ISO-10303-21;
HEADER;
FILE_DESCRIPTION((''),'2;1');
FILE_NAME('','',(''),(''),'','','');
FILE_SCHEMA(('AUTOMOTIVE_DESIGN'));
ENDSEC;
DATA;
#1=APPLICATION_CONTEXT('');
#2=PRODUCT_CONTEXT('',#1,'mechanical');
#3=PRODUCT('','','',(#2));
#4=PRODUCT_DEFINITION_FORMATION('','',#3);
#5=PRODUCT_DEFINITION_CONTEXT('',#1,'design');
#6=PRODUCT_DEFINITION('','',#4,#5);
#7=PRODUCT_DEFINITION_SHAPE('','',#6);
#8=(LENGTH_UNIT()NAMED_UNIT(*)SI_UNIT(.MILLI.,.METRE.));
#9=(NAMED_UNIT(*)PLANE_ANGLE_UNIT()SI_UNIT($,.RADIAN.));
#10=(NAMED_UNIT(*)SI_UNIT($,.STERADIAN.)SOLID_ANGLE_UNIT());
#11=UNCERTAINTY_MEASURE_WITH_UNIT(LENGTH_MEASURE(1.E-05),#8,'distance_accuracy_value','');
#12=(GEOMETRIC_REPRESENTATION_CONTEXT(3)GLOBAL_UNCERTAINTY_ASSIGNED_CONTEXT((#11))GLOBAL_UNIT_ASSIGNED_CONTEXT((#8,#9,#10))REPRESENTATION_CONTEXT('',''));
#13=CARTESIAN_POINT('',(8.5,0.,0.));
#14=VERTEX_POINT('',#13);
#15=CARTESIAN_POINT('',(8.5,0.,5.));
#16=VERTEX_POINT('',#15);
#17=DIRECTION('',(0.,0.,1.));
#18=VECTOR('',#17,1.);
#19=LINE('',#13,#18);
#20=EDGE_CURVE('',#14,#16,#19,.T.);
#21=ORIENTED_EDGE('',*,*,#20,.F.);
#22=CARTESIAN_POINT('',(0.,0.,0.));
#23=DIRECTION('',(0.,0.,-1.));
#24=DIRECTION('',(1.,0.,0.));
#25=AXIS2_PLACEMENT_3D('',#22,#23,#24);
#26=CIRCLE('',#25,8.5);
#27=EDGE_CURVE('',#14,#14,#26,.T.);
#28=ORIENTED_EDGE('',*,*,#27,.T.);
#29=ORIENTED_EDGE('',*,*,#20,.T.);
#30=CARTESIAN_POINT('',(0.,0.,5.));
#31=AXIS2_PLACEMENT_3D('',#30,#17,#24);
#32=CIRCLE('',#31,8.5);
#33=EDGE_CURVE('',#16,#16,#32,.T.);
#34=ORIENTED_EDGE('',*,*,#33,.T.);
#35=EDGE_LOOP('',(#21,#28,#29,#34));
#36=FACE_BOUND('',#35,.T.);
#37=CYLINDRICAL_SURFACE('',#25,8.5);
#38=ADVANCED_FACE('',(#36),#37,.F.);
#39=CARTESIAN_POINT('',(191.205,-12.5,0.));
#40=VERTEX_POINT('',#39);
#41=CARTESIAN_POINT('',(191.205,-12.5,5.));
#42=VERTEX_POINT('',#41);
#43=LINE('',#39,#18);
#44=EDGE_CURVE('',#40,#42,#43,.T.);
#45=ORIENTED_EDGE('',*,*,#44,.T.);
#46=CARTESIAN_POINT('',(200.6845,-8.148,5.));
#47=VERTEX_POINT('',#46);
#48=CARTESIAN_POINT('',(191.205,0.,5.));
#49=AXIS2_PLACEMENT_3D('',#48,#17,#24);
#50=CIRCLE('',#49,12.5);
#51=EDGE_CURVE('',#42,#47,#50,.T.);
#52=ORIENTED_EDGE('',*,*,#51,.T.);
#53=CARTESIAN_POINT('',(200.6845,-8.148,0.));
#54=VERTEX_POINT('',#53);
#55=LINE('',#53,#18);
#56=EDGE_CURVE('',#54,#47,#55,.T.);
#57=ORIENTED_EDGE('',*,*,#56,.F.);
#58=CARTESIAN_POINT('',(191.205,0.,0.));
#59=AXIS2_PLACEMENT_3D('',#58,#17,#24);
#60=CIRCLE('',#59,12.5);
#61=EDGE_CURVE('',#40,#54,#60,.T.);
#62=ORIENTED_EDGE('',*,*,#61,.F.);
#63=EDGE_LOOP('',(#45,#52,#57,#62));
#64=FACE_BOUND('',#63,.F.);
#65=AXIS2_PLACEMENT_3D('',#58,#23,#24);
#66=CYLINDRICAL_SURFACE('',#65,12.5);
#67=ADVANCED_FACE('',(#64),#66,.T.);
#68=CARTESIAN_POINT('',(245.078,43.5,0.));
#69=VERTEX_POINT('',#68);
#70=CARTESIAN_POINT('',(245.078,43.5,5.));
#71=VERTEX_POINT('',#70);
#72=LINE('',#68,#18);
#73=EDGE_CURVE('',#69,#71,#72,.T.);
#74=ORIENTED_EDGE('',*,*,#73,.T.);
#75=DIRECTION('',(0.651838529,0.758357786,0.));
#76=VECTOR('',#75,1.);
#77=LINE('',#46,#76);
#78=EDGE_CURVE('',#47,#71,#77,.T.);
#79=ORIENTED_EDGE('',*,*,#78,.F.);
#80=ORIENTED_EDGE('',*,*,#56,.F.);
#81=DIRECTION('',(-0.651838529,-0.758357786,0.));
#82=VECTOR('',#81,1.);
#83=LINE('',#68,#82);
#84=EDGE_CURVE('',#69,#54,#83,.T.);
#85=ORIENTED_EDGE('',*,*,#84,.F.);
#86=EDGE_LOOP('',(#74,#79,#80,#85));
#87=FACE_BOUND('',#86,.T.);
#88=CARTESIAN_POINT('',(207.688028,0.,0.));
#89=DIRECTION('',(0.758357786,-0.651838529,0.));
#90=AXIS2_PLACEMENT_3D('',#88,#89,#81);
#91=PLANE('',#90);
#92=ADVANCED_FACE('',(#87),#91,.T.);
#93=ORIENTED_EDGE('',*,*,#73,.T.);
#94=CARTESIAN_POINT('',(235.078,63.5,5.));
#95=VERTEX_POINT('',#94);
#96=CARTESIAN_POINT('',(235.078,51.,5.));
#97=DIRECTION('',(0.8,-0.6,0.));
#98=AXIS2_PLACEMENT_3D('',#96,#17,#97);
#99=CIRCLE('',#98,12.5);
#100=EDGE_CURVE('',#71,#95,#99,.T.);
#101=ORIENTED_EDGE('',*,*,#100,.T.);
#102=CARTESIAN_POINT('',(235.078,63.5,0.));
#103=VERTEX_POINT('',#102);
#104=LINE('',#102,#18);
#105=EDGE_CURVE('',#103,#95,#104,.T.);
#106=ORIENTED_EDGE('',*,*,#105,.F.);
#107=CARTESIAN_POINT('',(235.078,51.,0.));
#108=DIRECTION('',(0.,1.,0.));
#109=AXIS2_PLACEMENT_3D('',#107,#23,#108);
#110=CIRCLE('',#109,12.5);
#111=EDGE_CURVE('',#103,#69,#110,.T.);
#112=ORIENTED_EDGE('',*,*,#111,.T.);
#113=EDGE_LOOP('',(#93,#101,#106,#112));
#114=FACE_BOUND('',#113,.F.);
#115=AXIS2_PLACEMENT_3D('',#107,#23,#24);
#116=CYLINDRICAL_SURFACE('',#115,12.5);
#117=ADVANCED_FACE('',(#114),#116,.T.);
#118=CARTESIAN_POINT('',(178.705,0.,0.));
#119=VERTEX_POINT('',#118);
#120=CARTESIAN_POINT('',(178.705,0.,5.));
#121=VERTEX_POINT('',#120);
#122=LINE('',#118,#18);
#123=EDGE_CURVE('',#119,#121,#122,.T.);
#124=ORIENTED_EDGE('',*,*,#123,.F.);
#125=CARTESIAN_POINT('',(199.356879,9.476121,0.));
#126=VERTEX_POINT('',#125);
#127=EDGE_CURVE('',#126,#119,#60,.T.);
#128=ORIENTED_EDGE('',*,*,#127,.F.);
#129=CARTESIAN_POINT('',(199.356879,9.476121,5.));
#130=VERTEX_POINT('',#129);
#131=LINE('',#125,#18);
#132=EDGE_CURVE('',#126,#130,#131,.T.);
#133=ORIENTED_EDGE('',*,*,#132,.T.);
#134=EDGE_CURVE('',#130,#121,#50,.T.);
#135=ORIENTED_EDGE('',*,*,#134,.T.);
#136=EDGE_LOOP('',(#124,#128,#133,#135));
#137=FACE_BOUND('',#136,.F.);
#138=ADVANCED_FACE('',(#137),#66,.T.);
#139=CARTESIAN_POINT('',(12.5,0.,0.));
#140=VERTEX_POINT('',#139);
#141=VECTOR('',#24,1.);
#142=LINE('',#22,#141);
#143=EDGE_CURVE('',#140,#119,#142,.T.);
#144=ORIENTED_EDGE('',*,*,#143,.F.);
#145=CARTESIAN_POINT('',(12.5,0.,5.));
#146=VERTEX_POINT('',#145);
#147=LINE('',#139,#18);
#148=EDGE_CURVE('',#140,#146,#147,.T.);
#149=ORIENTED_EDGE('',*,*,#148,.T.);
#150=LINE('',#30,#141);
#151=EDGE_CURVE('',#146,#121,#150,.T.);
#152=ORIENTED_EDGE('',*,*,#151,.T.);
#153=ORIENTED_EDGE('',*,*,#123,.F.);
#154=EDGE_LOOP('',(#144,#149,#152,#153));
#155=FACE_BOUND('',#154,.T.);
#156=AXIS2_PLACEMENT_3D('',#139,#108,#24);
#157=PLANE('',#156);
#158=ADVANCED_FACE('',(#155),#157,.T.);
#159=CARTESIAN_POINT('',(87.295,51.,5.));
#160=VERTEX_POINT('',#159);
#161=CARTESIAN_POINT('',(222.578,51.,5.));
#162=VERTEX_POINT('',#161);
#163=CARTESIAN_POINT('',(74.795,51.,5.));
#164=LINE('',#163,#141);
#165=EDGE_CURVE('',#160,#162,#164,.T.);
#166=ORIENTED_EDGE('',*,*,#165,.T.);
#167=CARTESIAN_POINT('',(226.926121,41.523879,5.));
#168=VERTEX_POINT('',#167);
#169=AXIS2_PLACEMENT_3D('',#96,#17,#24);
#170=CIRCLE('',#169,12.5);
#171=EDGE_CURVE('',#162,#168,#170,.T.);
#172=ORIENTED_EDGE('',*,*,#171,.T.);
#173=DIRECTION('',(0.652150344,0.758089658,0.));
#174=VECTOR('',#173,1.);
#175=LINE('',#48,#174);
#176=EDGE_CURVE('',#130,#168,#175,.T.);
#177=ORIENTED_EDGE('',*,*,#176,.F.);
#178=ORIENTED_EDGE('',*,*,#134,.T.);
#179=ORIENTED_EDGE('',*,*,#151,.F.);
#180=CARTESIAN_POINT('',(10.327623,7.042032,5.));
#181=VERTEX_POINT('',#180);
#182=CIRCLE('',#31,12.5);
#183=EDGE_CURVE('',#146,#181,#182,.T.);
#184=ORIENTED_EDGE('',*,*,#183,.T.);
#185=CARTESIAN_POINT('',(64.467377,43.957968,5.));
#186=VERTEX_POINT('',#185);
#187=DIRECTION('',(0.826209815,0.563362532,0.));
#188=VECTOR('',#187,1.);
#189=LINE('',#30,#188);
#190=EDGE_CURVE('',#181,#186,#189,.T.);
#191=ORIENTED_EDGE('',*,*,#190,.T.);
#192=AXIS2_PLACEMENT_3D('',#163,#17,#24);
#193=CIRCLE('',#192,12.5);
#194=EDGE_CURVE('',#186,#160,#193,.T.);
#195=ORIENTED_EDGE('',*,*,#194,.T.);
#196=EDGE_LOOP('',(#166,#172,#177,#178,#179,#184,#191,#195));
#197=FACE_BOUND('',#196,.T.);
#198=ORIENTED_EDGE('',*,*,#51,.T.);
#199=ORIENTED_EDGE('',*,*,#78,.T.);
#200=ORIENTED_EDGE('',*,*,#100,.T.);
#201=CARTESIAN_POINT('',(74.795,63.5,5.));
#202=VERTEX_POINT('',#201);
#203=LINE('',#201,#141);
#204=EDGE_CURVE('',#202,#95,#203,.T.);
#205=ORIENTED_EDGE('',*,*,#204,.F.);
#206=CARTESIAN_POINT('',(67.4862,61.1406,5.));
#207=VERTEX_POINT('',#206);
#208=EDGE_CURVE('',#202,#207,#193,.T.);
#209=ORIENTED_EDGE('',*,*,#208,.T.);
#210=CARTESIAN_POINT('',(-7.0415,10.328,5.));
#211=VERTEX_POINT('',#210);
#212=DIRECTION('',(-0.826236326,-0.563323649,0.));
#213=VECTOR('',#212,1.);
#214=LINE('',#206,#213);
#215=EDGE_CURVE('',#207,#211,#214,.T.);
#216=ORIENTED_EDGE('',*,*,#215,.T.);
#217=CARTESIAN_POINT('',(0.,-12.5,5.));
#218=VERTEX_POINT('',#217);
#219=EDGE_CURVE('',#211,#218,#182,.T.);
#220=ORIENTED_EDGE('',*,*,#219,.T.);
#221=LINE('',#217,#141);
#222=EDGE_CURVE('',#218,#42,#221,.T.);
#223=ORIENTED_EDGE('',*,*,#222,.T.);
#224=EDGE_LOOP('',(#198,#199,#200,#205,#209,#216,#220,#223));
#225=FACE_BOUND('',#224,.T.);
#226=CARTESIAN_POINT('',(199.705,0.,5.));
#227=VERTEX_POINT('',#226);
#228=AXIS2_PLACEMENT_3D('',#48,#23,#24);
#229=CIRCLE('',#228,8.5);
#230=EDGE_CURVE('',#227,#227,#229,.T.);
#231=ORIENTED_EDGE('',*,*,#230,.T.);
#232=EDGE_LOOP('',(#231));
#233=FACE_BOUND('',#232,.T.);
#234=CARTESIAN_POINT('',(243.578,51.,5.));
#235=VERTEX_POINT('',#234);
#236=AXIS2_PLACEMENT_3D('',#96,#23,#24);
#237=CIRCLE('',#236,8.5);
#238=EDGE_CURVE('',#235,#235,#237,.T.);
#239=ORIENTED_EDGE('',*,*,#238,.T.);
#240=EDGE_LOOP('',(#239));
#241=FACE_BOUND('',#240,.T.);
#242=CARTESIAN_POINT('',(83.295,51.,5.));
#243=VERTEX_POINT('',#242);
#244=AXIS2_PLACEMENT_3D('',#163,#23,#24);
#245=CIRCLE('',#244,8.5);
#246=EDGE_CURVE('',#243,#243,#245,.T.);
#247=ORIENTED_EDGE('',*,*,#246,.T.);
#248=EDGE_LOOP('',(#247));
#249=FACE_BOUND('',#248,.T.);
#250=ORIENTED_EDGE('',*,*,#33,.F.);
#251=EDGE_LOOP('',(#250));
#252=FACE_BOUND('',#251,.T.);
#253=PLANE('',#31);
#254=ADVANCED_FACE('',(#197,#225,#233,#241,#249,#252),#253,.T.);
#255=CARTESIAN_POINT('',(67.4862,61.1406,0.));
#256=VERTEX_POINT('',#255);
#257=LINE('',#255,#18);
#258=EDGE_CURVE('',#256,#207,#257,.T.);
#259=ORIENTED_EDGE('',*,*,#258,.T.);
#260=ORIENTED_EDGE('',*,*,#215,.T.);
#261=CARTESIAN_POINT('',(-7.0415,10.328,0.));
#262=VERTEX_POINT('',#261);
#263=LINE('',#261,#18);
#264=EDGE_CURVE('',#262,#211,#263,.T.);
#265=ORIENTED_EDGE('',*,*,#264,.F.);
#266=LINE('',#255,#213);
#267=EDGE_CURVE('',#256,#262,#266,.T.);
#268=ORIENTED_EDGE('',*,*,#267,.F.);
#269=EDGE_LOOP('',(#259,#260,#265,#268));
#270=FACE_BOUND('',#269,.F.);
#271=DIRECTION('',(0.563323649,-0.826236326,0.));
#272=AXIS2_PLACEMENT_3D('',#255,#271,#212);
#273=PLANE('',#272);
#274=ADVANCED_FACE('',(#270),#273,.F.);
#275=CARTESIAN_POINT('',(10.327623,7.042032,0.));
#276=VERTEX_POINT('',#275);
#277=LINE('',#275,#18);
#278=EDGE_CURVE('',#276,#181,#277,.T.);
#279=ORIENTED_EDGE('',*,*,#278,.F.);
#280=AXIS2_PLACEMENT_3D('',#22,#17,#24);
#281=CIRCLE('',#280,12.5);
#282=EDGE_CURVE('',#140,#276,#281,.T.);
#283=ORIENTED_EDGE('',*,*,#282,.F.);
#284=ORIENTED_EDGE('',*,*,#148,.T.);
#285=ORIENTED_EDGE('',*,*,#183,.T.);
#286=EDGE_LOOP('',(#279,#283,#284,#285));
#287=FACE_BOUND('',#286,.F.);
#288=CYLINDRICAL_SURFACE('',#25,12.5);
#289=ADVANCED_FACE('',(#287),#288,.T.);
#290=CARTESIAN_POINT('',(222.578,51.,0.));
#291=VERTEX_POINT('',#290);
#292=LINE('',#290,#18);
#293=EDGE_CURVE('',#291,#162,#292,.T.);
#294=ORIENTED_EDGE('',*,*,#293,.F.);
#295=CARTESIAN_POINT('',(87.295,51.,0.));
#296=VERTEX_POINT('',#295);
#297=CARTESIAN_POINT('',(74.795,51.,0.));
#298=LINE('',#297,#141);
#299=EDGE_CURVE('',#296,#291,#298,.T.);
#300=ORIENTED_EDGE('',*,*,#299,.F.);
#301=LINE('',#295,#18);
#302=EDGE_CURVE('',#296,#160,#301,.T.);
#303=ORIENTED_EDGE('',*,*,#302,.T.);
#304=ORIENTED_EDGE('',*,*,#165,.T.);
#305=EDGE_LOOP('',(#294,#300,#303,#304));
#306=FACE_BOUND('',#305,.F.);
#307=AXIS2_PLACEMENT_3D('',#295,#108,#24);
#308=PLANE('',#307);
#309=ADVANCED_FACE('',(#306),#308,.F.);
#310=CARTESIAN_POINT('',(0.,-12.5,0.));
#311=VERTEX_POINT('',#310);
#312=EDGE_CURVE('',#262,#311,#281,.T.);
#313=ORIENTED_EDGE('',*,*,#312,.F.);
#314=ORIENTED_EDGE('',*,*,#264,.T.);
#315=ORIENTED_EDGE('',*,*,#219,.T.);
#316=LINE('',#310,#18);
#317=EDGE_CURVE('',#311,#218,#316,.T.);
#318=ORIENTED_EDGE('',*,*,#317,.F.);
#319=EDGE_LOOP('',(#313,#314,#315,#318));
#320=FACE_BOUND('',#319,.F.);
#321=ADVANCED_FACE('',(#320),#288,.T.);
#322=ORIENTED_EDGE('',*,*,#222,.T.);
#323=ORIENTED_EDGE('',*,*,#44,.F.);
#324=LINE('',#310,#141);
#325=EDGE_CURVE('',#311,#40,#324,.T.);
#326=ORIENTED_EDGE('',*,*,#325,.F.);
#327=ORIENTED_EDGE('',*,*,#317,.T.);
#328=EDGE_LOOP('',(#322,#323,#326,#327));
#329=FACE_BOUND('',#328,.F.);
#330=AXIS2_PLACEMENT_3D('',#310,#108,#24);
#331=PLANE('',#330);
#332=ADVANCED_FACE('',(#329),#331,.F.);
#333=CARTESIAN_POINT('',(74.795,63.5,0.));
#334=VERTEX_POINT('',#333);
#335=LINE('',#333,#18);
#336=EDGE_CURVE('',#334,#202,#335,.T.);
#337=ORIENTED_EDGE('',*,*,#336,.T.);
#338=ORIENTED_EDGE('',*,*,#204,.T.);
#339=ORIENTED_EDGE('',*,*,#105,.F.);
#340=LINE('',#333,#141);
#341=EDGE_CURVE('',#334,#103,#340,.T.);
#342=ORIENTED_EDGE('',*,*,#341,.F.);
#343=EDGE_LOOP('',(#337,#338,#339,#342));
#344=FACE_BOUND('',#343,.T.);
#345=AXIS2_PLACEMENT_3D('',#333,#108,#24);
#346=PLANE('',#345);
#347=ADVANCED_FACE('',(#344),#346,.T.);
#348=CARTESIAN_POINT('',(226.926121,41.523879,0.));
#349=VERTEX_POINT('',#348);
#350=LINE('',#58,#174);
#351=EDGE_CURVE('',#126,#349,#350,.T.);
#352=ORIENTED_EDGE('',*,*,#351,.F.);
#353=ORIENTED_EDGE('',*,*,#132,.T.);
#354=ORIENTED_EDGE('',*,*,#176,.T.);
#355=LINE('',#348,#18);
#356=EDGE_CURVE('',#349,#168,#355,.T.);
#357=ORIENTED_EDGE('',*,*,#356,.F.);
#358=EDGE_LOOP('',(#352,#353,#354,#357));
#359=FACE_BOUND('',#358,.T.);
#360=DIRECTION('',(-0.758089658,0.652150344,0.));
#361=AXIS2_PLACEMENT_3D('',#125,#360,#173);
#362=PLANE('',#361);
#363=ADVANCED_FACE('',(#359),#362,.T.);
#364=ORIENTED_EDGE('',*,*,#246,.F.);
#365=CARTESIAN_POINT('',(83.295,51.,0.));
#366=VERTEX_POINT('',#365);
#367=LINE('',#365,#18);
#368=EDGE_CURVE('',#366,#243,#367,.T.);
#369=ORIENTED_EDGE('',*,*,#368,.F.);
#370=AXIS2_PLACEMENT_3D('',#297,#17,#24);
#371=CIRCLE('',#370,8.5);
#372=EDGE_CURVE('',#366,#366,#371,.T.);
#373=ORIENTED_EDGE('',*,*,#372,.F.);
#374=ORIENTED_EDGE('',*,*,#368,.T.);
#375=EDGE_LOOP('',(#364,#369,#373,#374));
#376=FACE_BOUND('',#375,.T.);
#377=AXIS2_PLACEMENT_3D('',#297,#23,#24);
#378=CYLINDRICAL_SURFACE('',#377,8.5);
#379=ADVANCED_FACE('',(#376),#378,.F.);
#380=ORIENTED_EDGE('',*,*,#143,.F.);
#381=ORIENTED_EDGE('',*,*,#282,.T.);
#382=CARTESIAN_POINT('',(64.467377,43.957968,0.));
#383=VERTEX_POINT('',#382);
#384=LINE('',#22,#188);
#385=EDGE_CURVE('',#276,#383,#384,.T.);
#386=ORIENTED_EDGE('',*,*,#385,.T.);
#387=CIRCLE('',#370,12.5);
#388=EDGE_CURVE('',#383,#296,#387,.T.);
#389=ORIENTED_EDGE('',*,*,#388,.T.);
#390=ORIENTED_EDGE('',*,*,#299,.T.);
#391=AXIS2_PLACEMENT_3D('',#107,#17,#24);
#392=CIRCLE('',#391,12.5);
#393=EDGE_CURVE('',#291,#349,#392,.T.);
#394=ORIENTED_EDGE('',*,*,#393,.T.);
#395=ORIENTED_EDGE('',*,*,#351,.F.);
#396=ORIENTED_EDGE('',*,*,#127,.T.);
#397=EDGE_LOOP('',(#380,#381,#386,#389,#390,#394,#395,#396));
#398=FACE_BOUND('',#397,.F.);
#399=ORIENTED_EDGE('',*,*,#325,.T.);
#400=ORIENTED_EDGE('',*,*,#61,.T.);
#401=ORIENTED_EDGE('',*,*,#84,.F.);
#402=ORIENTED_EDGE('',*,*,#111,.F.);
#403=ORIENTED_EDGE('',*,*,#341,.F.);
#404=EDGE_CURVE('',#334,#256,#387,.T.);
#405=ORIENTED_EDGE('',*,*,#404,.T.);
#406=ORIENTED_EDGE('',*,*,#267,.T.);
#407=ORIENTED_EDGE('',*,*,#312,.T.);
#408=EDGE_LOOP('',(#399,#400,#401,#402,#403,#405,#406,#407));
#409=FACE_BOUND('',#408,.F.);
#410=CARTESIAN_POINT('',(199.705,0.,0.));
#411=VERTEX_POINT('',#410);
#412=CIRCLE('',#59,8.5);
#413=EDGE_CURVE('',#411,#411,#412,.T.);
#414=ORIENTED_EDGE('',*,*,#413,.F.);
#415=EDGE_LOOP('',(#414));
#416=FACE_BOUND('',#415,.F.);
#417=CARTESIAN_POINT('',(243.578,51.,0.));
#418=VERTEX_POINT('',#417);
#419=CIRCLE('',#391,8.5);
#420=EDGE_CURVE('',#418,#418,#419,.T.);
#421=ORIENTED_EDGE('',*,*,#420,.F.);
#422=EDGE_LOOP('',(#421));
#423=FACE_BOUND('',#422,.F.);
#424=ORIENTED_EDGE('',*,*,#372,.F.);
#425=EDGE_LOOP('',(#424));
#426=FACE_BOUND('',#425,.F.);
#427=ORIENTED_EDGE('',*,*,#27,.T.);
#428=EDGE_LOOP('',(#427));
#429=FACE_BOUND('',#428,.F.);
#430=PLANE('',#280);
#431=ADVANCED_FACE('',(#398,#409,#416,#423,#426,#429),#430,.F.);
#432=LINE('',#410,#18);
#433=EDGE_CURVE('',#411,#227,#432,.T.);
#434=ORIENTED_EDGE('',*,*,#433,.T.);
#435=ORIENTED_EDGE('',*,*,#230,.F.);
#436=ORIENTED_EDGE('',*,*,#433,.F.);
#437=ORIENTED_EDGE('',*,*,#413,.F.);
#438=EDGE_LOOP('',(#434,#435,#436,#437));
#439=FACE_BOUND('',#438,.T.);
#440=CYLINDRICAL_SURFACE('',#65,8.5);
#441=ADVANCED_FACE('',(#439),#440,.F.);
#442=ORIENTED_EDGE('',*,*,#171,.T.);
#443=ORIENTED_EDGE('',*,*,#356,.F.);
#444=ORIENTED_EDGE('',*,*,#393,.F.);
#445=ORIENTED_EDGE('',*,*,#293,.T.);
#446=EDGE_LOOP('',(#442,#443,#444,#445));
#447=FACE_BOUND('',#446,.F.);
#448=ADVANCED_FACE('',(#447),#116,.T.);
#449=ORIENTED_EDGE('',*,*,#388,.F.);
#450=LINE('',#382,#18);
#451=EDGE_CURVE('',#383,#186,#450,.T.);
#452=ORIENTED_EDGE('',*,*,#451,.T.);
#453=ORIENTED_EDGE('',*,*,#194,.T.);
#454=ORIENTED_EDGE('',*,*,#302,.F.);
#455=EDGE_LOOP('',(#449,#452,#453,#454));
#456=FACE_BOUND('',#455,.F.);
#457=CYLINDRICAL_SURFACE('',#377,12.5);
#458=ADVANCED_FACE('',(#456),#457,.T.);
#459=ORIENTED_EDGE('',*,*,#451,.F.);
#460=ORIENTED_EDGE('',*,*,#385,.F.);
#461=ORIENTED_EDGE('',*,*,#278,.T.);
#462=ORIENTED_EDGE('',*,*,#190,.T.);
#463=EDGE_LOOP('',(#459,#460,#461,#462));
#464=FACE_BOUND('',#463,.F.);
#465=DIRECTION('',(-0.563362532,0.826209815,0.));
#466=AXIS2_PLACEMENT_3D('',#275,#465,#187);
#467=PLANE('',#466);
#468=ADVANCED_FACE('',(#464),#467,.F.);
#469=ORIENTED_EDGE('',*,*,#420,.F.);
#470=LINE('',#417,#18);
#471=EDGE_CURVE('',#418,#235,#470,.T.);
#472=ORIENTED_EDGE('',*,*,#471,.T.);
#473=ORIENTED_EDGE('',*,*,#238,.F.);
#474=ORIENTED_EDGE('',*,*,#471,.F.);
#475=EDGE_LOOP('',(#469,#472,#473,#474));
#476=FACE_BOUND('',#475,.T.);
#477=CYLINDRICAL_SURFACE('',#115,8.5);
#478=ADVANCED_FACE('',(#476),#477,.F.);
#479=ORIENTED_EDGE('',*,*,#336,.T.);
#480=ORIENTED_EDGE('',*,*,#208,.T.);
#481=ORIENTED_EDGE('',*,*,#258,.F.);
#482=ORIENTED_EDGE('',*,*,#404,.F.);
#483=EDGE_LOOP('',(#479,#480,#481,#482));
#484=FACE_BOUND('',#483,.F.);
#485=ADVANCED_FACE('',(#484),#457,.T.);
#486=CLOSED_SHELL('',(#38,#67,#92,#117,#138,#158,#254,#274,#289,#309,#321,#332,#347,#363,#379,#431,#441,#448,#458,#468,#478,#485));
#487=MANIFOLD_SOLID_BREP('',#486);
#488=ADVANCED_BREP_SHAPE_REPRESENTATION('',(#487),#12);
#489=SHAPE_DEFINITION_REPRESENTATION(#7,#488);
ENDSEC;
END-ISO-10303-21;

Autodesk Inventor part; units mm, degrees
sketch "Sketch1" plane through (0, 0, 0) normal (0, 0, 1) x (1, 0, 0)
  line L0 (0, 39.622) -> (0, -39.622) construction
  line L1 (-80.0891, 0) -> (80.0891, 0) construction
  line L2 (0, 0) -> (191.205, 0)
  line L3 (191.205, 0) -> (235.078, 0)
  line L4 (235.078, 0) -> (235.078, 51)
  line L5 (191.205, 0) -> (235.078, 51)
  line L6 (0, 0) -> (74.795, 51)
  line L7 (74.795, 51) -> (235.078, 51)
  circle A0 centre (74.795, 51) radius 8.5
  circle A1 centre (235.078, 51) radius 8.5
  circle A2 centre (0, 0) radius 8.5
  circle A3 centre (0, 0) radius 12.5
  circle A4 centre (74.795, 51) radius 12.5
  circle A5 centre (235.078, 51) radius 12.5
  circle A6 centre (191.205, 0) radius 8.5
  circle A7 centre (191.205, 0) radius 12.5
  line L8 (0, -12.5) -> (191.205, -12.5)
  line L9 (67.4862, 61.1406) -> (-7.0415, 10.328)
  line L10 (245.078, 43.5) -> (200.6845, -8.148)
  line L11 (74.795, 63.5) -> (235.078, 63.5)
  point P0 (10.3276, 7.042)
  point P1 (64.4674, 43.958)
  point P2 (87.295, 51)
  point P3 (222.578, 51)
  point P4 (226.9261, 41.5239)
  point P5 (199.3569, 9.4761)
  point P6 (178.705, 0)
  point P7 (12.5, 0)
  dimension "d0" = 191.205
  dimension "d1" = 43.873
  dimension "d2" = 51
  dimension "d5" = 51
  dimension "d6" = 74.795
  dimension "d7" = 160.283
  dimension "d8" = 17
  dimension "d9" = 17
  dimension "d11" = 17
  dimension "d12" = 25
  dimension "d13" = 25
  dimension "d14" = 25
  dimension "d16" = 17
  dimension "d17" = 25
extrude "Extrusion1" add sketch "Sketch1" along normal blind 5 contours A2 L6 A3 L2 | L2 A3 L6 A2 | L2 A7 L8 A3 | A3 L9 A4 L6 | A7 L5 A6 L2 | L2 A6 L3 A7 | A4 L7 A0 L6 | L6 A0 L7 A4 | A7 L3 A6 L5 | L5 A5 L4 L10 L3 A7 | A4 L11 A5 L7 | A5 L7 A1 L5 | L5 A1 L4 A5 | L3 L10 A7 | A5 L10 L4 A1 L7 | A5 L10 L4
properties part number "Plastic poging" material "S235"
